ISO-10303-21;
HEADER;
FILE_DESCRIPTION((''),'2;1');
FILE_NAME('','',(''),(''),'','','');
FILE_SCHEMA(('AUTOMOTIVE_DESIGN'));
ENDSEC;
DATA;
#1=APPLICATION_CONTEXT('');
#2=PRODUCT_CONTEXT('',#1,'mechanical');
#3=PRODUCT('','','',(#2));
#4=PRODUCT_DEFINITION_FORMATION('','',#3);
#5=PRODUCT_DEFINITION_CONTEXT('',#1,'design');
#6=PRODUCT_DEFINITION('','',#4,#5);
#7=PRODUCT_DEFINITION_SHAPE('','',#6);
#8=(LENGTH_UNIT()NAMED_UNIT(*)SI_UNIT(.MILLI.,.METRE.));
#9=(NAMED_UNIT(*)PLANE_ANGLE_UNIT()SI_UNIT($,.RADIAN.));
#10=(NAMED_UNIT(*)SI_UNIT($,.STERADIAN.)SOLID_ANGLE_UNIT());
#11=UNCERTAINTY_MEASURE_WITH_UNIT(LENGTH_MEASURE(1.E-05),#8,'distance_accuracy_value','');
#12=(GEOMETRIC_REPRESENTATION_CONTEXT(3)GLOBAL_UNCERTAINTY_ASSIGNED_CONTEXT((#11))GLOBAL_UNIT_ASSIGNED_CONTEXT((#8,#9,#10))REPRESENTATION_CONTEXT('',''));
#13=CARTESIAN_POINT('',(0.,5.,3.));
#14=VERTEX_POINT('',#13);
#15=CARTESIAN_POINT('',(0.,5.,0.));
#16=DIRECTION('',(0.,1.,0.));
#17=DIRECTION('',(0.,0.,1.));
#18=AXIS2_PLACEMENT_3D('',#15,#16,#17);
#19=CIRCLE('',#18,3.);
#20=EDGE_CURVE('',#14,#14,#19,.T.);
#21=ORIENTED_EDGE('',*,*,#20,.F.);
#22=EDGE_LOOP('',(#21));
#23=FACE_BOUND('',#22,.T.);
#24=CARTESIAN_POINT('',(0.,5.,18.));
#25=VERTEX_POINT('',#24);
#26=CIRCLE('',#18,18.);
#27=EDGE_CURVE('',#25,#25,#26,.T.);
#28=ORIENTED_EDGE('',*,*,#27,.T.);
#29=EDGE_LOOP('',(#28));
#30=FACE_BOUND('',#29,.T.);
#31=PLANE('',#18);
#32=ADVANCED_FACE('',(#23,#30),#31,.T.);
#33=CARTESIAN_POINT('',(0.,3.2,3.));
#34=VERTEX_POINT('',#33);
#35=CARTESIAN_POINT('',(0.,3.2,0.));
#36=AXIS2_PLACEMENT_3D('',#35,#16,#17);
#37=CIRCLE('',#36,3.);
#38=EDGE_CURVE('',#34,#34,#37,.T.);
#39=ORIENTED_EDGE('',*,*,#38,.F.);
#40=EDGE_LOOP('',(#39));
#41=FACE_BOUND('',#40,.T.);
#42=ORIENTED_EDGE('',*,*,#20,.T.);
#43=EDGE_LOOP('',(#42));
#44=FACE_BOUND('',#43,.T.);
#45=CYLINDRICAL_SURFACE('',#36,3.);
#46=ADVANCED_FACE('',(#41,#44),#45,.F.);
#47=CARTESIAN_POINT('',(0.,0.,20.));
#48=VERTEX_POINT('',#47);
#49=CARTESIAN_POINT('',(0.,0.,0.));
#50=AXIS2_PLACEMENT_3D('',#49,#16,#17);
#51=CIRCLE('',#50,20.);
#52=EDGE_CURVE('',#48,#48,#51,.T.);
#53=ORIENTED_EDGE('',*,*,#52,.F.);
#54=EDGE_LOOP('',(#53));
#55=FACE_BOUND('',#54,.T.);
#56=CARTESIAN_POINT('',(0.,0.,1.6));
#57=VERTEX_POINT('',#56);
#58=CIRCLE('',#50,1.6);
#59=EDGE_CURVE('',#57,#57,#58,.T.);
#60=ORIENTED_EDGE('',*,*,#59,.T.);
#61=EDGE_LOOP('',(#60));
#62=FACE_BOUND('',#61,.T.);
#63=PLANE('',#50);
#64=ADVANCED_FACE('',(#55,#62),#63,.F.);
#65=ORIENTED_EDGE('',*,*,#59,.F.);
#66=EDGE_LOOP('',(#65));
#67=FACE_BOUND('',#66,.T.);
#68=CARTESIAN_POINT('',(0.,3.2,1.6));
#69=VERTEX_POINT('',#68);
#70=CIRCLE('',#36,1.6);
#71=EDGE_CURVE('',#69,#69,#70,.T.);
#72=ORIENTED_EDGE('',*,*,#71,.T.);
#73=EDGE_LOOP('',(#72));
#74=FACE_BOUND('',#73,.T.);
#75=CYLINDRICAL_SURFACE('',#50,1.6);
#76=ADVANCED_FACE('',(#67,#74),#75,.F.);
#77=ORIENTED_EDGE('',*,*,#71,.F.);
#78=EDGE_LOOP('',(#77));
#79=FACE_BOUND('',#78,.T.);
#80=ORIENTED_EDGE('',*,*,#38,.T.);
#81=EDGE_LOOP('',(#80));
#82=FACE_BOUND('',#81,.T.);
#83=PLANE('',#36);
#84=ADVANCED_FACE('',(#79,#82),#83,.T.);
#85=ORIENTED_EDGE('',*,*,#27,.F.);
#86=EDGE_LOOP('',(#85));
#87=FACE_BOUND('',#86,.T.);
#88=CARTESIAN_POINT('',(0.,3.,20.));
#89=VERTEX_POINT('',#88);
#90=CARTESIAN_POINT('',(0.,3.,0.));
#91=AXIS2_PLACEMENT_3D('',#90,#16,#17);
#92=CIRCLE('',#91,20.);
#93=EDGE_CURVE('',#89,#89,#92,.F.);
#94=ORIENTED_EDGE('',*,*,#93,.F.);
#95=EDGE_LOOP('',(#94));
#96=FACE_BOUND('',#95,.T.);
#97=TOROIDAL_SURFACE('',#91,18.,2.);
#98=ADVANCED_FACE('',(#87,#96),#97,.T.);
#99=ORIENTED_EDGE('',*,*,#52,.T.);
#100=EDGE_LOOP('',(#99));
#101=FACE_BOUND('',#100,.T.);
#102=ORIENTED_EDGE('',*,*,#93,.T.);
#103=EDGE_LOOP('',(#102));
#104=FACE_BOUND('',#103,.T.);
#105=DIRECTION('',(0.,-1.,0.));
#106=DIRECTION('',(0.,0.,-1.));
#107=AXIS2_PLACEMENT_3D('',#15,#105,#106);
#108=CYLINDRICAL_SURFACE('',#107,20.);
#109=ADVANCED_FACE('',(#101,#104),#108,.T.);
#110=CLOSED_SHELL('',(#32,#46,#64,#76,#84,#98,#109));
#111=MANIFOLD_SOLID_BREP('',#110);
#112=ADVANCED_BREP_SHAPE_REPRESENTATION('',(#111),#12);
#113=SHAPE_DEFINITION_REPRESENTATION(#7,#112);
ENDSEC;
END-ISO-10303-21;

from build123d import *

# Parameters (mm, degrees)
SKETCH_1_R          = 20
EXTRUDE_1_DEPTH     = 5
FILLET_1_R          = 2
SKETCH_2_R          = 3
CUT_EXTRUDE_1_DEPTH = 1.8
SKETCH_3_R          = 1.6
CUT_EXTRUDE_2_DEPTH = 29.46471507


with BuildPart() as part:
    # 草图1 → 凸台-拉伸1 (new body)
    with BuildSketch(Plane(origin=(0, 0, 0), x_dir=(1, 0, 0), z_dir=(0, 1, 0))):
        with Locations(Location((0, 0, 0), (0, 0, 270))):
            Circle(SKETCH_1_R)
    extrude(amount=EXTRUDE_1_DEPTH)

    # 圆角1
    fillet_1_edges = [part.edges().sort_by_distance(p)[0] for p in [
        (0, 5, -20),
    ]]
    fillet(fillet_1_edges, radius=FILLET_1_R)

    # 草图2 → 切除-拉伸1 (cut)
    with BuildSketch(Plane(origin=(0, 5, 0), x_dir=(1, 0, 0), z_dir=(0, 1, 0))):
        with Locations(Location((0, 0, 0), (0, 0, 270))):
            Circle(SKETCH_2_R)
    extrude(amount=-CUT_EXTRUDE_1_DEPTH, mode=Mode.SUBTRACT)

    # 草图3 → 切除-拉伸2 (cut, through all)
    with BuildSketch(Plane(origin=(0, 3.2, 0), x_dir=(1, 0, 0), z_dir=(0, 1, 0))):
        with Locations(Location((0, 0, 0), (0, 0, 270))):
            Circle(SKETCH_3_R)
    extrude(amount=-CUT_EXTRUDE_2_DEPTH, mode=Mode.SUBTRACT)


solid = part.part
